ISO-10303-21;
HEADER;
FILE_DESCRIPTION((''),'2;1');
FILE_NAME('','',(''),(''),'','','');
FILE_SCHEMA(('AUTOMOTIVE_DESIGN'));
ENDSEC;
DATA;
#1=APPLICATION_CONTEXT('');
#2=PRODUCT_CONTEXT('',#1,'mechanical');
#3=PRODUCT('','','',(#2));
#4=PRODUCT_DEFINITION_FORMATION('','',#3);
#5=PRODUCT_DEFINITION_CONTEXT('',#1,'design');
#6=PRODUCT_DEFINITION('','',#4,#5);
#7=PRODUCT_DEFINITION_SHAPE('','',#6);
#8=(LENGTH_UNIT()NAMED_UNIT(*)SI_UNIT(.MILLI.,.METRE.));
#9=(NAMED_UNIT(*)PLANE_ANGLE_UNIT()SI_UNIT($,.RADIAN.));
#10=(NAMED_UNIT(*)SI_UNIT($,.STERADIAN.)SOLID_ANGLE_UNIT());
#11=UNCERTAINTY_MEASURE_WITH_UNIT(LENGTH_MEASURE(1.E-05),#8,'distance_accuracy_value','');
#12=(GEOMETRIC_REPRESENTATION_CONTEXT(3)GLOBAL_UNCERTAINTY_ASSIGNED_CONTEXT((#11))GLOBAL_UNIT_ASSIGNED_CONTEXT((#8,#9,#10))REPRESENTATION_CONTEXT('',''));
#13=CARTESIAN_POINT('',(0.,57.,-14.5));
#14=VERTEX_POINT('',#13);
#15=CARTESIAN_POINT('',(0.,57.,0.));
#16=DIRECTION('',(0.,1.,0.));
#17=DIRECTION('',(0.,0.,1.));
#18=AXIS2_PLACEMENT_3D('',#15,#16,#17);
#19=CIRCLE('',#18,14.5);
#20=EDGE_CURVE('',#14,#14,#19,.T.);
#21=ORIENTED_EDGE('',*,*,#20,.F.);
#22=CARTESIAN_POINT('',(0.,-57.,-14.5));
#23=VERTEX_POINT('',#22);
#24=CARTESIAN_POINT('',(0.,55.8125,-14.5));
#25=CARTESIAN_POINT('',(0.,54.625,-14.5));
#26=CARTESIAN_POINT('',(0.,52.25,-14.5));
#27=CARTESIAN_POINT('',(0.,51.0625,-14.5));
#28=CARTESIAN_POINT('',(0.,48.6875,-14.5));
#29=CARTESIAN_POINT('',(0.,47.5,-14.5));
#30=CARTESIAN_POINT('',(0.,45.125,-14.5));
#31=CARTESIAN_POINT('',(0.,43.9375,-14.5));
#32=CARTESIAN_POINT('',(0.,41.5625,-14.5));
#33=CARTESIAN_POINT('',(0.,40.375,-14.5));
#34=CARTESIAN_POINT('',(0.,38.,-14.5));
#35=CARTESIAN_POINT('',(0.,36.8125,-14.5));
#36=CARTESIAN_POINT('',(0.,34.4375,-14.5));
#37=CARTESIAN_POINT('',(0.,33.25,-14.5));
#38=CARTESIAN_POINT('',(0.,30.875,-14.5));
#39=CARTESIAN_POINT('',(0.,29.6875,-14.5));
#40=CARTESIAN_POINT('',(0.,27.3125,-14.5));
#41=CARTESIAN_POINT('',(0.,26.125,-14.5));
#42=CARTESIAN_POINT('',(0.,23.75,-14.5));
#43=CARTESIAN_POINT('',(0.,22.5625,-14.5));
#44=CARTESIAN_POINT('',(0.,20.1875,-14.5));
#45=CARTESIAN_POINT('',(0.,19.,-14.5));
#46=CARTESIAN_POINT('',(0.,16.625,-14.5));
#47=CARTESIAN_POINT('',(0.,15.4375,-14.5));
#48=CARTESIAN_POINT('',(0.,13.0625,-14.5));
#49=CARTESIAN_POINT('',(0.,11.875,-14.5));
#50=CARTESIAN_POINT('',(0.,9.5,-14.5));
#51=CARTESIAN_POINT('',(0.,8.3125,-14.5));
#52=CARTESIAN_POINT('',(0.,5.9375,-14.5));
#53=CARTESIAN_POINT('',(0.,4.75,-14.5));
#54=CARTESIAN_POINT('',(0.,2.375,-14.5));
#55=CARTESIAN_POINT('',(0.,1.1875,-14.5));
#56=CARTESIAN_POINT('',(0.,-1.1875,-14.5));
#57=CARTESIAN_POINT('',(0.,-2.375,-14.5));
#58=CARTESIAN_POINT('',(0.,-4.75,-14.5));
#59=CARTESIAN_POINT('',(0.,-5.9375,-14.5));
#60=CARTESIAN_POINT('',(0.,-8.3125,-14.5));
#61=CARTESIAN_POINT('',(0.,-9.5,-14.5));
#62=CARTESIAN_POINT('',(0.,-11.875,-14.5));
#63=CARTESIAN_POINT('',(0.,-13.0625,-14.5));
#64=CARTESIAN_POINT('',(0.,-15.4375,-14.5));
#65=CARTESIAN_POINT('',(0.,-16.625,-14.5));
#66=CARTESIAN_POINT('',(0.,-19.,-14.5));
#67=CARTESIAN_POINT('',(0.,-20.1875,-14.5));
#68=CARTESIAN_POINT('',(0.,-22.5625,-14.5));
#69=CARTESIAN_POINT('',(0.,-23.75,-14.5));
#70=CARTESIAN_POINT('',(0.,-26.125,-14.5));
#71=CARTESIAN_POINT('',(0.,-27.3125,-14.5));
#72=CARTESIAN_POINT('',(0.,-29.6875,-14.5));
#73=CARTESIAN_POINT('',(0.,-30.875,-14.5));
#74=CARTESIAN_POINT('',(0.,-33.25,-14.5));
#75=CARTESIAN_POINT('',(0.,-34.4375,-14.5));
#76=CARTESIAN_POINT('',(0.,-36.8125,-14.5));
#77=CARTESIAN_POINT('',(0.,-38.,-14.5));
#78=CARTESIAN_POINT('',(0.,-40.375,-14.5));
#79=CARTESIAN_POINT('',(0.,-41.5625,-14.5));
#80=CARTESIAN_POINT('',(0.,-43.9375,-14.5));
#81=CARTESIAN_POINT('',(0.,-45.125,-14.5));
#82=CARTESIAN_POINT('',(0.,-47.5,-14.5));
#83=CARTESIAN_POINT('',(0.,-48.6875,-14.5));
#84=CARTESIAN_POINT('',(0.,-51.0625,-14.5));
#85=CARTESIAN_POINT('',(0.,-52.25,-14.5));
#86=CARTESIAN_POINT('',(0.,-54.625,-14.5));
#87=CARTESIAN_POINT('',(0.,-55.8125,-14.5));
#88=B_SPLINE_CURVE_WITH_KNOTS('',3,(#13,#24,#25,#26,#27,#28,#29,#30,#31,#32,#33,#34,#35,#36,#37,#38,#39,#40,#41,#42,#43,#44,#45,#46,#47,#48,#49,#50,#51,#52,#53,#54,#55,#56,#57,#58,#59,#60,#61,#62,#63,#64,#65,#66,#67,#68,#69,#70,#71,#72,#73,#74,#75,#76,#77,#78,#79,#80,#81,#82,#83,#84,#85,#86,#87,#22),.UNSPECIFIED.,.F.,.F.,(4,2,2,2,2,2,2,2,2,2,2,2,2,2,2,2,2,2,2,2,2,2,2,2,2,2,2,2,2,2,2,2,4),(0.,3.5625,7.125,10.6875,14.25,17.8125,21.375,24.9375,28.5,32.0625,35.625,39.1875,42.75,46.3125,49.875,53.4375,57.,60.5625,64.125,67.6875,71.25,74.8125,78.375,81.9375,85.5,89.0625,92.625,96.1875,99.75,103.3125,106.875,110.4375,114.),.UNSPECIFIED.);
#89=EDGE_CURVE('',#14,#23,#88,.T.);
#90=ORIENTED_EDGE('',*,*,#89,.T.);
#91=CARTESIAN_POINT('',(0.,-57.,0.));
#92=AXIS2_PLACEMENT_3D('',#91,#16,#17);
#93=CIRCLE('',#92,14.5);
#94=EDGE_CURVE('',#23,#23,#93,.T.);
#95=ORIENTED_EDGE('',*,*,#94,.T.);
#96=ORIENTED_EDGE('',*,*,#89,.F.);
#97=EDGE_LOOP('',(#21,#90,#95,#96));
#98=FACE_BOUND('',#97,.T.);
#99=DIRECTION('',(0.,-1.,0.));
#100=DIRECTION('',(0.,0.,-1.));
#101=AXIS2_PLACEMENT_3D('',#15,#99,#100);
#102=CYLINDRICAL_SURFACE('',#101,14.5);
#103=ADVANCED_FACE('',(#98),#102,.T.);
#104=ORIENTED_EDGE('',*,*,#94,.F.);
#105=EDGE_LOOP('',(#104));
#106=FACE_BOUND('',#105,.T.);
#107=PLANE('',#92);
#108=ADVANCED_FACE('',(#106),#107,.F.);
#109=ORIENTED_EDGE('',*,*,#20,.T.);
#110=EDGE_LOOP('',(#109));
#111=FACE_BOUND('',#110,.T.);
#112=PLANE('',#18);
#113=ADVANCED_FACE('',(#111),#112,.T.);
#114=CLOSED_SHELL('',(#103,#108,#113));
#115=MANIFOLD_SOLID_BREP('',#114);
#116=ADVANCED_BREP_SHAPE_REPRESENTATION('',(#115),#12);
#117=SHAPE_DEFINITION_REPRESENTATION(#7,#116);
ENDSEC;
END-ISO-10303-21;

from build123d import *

# Parameters (mm, degrees)
SKETCH1_R           = 14.5
BOSS_EXTRUDE1_DEPTH = 57


with BuildPart() as part:
    # Sketch1 → Boss-Extrude1 (new, symmetric)
    with BuildSketch(Plane(origin=(0, 0, 0), x_dir=(1, 0, 0), z_dir=(0, 1, 0))):
        Circle(SKETCH1_R)
    extrude(amount=BOSS_EXTRUDE1_DEPTH, both=True)


solid = part.part
